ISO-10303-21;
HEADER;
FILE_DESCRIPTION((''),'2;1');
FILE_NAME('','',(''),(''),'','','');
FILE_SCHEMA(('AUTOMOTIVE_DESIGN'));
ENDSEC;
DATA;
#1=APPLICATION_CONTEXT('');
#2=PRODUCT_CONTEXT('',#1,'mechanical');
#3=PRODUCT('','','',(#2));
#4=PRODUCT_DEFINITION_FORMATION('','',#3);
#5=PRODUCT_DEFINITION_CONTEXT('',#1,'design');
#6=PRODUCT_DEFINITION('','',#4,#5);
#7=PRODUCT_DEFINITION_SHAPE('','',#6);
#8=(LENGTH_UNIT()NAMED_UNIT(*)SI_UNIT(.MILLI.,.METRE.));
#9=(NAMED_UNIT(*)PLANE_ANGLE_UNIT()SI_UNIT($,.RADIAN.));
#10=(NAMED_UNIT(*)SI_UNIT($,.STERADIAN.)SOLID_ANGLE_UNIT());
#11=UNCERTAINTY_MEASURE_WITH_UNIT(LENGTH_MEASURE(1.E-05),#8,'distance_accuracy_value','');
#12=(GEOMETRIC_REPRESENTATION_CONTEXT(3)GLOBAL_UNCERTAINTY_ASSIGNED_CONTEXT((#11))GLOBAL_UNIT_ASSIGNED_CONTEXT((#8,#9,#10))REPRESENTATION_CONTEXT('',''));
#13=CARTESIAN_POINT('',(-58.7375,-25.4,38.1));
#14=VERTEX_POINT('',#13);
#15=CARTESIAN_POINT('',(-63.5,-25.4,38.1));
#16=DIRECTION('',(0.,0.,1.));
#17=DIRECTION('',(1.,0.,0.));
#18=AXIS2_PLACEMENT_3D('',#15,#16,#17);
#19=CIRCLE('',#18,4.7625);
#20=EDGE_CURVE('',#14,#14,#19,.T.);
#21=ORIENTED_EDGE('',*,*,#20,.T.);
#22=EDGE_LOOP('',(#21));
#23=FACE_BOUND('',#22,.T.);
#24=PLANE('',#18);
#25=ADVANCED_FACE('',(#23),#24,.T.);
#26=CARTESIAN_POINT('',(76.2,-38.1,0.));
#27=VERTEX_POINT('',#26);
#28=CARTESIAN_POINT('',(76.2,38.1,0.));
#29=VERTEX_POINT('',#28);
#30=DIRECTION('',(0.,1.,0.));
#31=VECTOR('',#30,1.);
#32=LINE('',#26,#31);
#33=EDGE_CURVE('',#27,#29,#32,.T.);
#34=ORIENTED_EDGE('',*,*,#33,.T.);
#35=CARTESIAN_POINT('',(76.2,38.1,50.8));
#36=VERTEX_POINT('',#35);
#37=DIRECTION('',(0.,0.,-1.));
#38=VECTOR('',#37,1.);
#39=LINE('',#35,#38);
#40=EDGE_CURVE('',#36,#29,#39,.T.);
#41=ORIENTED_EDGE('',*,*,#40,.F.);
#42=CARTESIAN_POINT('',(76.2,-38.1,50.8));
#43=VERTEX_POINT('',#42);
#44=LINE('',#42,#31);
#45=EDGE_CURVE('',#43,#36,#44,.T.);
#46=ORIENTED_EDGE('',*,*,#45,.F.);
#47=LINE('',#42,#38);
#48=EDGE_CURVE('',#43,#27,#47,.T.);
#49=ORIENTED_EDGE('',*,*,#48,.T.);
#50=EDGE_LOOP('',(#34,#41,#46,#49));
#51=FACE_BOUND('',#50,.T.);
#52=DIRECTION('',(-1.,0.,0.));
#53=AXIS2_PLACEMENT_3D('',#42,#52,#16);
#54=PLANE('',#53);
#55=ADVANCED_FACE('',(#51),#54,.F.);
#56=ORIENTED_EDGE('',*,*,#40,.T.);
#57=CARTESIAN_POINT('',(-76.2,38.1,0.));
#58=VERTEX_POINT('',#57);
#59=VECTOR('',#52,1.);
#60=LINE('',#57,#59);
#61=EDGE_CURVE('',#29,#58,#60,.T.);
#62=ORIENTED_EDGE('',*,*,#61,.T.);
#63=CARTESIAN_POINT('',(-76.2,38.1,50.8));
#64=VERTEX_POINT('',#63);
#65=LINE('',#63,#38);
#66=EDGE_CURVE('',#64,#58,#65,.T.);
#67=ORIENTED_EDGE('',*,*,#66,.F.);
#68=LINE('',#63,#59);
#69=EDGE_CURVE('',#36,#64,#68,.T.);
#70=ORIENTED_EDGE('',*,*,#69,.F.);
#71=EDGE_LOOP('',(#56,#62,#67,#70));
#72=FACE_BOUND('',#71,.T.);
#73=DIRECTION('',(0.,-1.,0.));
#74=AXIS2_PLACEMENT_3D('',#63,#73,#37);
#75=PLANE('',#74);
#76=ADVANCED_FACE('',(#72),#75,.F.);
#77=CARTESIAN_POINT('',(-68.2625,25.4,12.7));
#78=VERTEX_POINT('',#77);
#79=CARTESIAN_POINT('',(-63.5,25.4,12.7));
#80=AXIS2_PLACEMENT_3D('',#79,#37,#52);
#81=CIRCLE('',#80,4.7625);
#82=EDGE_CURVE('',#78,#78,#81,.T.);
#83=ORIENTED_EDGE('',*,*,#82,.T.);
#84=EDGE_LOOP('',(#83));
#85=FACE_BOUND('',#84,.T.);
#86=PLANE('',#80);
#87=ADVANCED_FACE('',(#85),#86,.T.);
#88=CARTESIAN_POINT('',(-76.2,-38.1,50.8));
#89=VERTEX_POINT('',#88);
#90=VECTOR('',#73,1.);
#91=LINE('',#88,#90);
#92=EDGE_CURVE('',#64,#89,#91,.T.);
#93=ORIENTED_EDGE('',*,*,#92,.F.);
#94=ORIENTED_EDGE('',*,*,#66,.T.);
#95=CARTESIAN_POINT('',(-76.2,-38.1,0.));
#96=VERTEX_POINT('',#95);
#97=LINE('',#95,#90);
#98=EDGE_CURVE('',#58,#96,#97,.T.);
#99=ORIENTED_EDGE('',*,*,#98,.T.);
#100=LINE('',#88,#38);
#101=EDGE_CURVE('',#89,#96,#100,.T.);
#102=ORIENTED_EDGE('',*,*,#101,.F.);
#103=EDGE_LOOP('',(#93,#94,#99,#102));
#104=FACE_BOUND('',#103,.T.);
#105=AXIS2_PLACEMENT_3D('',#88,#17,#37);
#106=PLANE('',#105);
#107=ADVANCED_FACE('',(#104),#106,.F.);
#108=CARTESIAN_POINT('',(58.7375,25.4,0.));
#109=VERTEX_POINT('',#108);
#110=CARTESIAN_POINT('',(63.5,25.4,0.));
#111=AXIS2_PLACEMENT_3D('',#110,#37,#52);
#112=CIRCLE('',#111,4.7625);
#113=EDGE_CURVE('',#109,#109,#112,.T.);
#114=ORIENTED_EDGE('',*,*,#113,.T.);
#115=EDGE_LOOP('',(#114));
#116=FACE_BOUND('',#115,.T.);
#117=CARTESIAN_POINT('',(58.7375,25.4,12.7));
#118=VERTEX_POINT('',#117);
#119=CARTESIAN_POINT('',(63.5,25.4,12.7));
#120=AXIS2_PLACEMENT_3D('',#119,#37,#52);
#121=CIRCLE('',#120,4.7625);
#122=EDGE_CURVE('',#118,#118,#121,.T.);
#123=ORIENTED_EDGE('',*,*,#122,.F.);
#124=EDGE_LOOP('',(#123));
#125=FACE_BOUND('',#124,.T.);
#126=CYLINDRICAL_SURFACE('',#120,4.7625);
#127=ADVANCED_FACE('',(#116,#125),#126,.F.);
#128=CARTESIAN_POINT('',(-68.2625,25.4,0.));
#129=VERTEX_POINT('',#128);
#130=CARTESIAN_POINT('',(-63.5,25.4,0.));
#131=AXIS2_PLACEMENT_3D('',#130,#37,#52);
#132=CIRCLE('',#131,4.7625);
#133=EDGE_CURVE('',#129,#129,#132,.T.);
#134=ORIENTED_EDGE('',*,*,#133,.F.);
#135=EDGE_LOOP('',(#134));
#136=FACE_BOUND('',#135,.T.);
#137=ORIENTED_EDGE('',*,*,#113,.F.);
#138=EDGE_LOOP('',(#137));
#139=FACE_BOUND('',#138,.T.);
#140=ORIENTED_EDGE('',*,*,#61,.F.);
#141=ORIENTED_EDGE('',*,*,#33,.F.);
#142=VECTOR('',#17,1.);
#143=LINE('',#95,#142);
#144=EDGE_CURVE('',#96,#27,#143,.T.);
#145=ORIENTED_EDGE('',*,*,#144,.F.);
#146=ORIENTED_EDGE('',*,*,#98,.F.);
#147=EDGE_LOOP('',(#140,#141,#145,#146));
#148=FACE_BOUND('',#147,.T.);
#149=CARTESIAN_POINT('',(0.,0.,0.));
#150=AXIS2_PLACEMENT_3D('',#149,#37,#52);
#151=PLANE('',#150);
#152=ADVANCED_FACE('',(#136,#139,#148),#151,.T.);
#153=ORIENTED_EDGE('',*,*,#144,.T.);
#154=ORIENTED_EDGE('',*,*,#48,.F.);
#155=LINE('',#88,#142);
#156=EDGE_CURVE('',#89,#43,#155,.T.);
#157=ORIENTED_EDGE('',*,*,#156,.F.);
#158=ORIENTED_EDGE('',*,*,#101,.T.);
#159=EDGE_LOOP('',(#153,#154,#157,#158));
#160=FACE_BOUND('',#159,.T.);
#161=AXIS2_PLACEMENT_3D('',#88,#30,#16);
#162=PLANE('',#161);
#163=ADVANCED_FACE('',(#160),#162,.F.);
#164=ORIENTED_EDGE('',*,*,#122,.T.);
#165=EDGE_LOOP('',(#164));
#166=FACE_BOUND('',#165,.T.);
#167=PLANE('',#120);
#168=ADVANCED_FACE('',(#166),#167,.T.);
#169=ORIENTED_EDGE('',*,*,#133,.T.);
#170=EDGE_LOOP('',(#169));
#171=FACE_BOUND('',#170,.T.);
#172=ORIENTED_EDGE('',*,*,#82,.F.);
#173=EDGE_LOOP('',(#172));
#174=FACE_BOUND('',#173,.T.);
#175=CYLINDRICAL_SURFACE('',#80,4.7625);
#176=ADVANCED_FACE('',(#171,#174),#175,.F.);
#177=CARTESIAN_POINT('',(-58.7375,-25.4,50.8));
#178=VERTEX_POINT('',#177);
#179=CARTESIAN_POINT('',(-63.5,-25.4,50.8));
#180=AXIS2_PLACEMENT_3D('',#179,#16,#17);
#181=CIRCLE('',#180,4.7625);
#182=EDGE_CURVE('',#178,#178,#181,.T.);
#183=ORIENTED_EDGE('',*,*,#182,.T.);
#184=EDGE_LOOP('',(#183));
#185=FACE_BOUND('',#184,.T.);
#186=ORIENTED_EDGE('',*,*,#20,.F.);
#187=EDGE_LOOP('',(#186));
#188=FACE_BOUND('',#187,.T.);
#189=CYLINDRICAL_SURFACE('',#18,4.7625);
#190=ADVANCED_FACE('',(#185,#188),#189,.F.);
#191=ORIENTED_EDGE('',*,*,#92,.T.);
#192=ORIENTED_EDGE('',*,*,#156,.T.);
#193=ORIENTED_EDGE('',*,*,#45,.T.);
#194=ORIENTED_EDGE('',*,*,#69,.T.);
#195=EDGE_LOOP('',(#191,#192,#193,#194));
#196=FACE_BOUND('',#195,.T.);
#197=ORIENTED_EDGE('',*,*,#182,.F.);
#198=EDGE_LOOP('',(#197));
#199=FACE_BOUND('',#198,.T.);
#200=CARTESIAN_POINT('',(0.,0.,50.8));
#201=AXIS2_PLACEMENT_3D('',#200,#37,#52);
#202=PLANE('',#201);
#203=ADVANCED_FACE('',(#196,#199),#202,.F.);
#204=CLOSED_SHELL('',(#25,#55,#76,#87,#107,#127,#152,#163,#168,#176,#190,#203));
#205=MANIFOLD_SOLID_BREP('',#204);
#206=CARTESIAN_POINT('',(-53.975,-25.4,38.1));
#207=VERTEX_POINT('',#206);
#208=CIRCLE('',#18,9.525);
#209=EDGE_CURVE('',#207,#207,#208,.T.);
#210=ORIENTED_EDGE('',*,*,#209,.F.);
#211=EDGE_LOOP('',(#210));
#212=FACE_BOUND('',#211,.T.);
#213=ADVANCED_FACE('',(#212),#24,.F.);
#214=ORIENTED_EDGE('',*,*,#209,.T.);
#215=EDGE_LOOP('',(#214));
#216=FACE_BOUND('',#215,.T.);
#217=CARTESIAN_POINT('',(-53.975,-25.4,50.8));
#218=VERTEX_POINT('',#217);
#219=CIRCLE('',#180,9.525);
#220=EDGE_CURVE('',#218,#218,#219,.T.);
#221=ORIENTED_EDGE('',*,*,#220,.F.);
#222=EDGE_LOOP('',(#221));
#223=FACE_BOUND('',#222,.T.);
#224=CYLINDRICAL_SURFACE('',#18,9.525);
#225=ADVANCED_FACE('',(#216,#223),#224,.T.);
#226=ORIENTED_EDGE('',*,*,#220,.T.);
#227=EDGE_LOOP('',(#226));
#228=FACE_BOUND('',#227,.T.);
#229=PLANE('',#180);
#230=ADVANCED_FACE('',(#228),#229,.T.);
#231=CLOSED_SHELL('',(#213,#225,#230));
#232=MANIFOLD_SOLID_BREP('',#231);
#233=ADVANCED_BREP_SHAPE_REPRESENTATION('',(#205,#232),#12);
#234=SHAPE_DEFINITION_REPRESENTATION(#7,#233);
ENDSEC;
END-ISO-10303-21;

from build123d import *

# Parameters (mm, degrees)
SKETCH1_W           = 152.4
SKETCH1_H           = 76.2
BOSS_EXTRUDE1_DEPTH = 50.8
SKETCH2_R           = 4.7625
CUT_EXTRUDE1_DEPTH  = 12.7
SKETCH3_R           = 4.7625
CUT_EXTRUDE2_DEPTH  = 12.7
SKETCH4_R           = 9.525
BOSS_EXTRUDE2_DEPTH = 12.7


with BuildPart() as part:
    # Sketch1 → Boss-Extrude1 (new body)
    with BuildSketch(Plane.XY):
        Rectangle(SKETCH1_W, SKETCH1_H)
    extrude(amount=BOSS_EXTRUDE1_DEPTH)

    # Sketch2 → Cut-Extrude1 (cut)
    with BuildSketch(Plane.XY.offset(50.8)):
        with Locations((-63.5, -25.4)):
            Circle(SKETCH2_R)
    extrude(amount=-CUT_EXTRUDE1_DEPTH, mode=Mode.SUBTRACT)

    # Sketch3 → Cut-Extrude2 (cut)
    with BuildSketch(Plane(origin=(0, 0, 0), x_dir=(-1, 0, 0), z_dir=(0, 0, -1))):
        with Locations((63.5, 25.4)):
            Circle(SKETCH3_R)
        with Locations((-63.5, 25.4)):
            Circle(SKETCH3_R)
    extrude(amount=-CUT_EXTRUDE2_DEPTH, mode=Mode.SUBTRACT)


with BuildPart() as body_2:
    # Sketch4 → Boss-Extrude2 (new body)
    with BuildSketch(Plane.XY.offset(50.8)):
        with Locations((-63.5, -25.4)):
            Circle(SKETCH4_R)
    extrude(amount=-BOSS_EXTRUDE2_DEPTH)


solid = Compound([part.part, body_2.part])
